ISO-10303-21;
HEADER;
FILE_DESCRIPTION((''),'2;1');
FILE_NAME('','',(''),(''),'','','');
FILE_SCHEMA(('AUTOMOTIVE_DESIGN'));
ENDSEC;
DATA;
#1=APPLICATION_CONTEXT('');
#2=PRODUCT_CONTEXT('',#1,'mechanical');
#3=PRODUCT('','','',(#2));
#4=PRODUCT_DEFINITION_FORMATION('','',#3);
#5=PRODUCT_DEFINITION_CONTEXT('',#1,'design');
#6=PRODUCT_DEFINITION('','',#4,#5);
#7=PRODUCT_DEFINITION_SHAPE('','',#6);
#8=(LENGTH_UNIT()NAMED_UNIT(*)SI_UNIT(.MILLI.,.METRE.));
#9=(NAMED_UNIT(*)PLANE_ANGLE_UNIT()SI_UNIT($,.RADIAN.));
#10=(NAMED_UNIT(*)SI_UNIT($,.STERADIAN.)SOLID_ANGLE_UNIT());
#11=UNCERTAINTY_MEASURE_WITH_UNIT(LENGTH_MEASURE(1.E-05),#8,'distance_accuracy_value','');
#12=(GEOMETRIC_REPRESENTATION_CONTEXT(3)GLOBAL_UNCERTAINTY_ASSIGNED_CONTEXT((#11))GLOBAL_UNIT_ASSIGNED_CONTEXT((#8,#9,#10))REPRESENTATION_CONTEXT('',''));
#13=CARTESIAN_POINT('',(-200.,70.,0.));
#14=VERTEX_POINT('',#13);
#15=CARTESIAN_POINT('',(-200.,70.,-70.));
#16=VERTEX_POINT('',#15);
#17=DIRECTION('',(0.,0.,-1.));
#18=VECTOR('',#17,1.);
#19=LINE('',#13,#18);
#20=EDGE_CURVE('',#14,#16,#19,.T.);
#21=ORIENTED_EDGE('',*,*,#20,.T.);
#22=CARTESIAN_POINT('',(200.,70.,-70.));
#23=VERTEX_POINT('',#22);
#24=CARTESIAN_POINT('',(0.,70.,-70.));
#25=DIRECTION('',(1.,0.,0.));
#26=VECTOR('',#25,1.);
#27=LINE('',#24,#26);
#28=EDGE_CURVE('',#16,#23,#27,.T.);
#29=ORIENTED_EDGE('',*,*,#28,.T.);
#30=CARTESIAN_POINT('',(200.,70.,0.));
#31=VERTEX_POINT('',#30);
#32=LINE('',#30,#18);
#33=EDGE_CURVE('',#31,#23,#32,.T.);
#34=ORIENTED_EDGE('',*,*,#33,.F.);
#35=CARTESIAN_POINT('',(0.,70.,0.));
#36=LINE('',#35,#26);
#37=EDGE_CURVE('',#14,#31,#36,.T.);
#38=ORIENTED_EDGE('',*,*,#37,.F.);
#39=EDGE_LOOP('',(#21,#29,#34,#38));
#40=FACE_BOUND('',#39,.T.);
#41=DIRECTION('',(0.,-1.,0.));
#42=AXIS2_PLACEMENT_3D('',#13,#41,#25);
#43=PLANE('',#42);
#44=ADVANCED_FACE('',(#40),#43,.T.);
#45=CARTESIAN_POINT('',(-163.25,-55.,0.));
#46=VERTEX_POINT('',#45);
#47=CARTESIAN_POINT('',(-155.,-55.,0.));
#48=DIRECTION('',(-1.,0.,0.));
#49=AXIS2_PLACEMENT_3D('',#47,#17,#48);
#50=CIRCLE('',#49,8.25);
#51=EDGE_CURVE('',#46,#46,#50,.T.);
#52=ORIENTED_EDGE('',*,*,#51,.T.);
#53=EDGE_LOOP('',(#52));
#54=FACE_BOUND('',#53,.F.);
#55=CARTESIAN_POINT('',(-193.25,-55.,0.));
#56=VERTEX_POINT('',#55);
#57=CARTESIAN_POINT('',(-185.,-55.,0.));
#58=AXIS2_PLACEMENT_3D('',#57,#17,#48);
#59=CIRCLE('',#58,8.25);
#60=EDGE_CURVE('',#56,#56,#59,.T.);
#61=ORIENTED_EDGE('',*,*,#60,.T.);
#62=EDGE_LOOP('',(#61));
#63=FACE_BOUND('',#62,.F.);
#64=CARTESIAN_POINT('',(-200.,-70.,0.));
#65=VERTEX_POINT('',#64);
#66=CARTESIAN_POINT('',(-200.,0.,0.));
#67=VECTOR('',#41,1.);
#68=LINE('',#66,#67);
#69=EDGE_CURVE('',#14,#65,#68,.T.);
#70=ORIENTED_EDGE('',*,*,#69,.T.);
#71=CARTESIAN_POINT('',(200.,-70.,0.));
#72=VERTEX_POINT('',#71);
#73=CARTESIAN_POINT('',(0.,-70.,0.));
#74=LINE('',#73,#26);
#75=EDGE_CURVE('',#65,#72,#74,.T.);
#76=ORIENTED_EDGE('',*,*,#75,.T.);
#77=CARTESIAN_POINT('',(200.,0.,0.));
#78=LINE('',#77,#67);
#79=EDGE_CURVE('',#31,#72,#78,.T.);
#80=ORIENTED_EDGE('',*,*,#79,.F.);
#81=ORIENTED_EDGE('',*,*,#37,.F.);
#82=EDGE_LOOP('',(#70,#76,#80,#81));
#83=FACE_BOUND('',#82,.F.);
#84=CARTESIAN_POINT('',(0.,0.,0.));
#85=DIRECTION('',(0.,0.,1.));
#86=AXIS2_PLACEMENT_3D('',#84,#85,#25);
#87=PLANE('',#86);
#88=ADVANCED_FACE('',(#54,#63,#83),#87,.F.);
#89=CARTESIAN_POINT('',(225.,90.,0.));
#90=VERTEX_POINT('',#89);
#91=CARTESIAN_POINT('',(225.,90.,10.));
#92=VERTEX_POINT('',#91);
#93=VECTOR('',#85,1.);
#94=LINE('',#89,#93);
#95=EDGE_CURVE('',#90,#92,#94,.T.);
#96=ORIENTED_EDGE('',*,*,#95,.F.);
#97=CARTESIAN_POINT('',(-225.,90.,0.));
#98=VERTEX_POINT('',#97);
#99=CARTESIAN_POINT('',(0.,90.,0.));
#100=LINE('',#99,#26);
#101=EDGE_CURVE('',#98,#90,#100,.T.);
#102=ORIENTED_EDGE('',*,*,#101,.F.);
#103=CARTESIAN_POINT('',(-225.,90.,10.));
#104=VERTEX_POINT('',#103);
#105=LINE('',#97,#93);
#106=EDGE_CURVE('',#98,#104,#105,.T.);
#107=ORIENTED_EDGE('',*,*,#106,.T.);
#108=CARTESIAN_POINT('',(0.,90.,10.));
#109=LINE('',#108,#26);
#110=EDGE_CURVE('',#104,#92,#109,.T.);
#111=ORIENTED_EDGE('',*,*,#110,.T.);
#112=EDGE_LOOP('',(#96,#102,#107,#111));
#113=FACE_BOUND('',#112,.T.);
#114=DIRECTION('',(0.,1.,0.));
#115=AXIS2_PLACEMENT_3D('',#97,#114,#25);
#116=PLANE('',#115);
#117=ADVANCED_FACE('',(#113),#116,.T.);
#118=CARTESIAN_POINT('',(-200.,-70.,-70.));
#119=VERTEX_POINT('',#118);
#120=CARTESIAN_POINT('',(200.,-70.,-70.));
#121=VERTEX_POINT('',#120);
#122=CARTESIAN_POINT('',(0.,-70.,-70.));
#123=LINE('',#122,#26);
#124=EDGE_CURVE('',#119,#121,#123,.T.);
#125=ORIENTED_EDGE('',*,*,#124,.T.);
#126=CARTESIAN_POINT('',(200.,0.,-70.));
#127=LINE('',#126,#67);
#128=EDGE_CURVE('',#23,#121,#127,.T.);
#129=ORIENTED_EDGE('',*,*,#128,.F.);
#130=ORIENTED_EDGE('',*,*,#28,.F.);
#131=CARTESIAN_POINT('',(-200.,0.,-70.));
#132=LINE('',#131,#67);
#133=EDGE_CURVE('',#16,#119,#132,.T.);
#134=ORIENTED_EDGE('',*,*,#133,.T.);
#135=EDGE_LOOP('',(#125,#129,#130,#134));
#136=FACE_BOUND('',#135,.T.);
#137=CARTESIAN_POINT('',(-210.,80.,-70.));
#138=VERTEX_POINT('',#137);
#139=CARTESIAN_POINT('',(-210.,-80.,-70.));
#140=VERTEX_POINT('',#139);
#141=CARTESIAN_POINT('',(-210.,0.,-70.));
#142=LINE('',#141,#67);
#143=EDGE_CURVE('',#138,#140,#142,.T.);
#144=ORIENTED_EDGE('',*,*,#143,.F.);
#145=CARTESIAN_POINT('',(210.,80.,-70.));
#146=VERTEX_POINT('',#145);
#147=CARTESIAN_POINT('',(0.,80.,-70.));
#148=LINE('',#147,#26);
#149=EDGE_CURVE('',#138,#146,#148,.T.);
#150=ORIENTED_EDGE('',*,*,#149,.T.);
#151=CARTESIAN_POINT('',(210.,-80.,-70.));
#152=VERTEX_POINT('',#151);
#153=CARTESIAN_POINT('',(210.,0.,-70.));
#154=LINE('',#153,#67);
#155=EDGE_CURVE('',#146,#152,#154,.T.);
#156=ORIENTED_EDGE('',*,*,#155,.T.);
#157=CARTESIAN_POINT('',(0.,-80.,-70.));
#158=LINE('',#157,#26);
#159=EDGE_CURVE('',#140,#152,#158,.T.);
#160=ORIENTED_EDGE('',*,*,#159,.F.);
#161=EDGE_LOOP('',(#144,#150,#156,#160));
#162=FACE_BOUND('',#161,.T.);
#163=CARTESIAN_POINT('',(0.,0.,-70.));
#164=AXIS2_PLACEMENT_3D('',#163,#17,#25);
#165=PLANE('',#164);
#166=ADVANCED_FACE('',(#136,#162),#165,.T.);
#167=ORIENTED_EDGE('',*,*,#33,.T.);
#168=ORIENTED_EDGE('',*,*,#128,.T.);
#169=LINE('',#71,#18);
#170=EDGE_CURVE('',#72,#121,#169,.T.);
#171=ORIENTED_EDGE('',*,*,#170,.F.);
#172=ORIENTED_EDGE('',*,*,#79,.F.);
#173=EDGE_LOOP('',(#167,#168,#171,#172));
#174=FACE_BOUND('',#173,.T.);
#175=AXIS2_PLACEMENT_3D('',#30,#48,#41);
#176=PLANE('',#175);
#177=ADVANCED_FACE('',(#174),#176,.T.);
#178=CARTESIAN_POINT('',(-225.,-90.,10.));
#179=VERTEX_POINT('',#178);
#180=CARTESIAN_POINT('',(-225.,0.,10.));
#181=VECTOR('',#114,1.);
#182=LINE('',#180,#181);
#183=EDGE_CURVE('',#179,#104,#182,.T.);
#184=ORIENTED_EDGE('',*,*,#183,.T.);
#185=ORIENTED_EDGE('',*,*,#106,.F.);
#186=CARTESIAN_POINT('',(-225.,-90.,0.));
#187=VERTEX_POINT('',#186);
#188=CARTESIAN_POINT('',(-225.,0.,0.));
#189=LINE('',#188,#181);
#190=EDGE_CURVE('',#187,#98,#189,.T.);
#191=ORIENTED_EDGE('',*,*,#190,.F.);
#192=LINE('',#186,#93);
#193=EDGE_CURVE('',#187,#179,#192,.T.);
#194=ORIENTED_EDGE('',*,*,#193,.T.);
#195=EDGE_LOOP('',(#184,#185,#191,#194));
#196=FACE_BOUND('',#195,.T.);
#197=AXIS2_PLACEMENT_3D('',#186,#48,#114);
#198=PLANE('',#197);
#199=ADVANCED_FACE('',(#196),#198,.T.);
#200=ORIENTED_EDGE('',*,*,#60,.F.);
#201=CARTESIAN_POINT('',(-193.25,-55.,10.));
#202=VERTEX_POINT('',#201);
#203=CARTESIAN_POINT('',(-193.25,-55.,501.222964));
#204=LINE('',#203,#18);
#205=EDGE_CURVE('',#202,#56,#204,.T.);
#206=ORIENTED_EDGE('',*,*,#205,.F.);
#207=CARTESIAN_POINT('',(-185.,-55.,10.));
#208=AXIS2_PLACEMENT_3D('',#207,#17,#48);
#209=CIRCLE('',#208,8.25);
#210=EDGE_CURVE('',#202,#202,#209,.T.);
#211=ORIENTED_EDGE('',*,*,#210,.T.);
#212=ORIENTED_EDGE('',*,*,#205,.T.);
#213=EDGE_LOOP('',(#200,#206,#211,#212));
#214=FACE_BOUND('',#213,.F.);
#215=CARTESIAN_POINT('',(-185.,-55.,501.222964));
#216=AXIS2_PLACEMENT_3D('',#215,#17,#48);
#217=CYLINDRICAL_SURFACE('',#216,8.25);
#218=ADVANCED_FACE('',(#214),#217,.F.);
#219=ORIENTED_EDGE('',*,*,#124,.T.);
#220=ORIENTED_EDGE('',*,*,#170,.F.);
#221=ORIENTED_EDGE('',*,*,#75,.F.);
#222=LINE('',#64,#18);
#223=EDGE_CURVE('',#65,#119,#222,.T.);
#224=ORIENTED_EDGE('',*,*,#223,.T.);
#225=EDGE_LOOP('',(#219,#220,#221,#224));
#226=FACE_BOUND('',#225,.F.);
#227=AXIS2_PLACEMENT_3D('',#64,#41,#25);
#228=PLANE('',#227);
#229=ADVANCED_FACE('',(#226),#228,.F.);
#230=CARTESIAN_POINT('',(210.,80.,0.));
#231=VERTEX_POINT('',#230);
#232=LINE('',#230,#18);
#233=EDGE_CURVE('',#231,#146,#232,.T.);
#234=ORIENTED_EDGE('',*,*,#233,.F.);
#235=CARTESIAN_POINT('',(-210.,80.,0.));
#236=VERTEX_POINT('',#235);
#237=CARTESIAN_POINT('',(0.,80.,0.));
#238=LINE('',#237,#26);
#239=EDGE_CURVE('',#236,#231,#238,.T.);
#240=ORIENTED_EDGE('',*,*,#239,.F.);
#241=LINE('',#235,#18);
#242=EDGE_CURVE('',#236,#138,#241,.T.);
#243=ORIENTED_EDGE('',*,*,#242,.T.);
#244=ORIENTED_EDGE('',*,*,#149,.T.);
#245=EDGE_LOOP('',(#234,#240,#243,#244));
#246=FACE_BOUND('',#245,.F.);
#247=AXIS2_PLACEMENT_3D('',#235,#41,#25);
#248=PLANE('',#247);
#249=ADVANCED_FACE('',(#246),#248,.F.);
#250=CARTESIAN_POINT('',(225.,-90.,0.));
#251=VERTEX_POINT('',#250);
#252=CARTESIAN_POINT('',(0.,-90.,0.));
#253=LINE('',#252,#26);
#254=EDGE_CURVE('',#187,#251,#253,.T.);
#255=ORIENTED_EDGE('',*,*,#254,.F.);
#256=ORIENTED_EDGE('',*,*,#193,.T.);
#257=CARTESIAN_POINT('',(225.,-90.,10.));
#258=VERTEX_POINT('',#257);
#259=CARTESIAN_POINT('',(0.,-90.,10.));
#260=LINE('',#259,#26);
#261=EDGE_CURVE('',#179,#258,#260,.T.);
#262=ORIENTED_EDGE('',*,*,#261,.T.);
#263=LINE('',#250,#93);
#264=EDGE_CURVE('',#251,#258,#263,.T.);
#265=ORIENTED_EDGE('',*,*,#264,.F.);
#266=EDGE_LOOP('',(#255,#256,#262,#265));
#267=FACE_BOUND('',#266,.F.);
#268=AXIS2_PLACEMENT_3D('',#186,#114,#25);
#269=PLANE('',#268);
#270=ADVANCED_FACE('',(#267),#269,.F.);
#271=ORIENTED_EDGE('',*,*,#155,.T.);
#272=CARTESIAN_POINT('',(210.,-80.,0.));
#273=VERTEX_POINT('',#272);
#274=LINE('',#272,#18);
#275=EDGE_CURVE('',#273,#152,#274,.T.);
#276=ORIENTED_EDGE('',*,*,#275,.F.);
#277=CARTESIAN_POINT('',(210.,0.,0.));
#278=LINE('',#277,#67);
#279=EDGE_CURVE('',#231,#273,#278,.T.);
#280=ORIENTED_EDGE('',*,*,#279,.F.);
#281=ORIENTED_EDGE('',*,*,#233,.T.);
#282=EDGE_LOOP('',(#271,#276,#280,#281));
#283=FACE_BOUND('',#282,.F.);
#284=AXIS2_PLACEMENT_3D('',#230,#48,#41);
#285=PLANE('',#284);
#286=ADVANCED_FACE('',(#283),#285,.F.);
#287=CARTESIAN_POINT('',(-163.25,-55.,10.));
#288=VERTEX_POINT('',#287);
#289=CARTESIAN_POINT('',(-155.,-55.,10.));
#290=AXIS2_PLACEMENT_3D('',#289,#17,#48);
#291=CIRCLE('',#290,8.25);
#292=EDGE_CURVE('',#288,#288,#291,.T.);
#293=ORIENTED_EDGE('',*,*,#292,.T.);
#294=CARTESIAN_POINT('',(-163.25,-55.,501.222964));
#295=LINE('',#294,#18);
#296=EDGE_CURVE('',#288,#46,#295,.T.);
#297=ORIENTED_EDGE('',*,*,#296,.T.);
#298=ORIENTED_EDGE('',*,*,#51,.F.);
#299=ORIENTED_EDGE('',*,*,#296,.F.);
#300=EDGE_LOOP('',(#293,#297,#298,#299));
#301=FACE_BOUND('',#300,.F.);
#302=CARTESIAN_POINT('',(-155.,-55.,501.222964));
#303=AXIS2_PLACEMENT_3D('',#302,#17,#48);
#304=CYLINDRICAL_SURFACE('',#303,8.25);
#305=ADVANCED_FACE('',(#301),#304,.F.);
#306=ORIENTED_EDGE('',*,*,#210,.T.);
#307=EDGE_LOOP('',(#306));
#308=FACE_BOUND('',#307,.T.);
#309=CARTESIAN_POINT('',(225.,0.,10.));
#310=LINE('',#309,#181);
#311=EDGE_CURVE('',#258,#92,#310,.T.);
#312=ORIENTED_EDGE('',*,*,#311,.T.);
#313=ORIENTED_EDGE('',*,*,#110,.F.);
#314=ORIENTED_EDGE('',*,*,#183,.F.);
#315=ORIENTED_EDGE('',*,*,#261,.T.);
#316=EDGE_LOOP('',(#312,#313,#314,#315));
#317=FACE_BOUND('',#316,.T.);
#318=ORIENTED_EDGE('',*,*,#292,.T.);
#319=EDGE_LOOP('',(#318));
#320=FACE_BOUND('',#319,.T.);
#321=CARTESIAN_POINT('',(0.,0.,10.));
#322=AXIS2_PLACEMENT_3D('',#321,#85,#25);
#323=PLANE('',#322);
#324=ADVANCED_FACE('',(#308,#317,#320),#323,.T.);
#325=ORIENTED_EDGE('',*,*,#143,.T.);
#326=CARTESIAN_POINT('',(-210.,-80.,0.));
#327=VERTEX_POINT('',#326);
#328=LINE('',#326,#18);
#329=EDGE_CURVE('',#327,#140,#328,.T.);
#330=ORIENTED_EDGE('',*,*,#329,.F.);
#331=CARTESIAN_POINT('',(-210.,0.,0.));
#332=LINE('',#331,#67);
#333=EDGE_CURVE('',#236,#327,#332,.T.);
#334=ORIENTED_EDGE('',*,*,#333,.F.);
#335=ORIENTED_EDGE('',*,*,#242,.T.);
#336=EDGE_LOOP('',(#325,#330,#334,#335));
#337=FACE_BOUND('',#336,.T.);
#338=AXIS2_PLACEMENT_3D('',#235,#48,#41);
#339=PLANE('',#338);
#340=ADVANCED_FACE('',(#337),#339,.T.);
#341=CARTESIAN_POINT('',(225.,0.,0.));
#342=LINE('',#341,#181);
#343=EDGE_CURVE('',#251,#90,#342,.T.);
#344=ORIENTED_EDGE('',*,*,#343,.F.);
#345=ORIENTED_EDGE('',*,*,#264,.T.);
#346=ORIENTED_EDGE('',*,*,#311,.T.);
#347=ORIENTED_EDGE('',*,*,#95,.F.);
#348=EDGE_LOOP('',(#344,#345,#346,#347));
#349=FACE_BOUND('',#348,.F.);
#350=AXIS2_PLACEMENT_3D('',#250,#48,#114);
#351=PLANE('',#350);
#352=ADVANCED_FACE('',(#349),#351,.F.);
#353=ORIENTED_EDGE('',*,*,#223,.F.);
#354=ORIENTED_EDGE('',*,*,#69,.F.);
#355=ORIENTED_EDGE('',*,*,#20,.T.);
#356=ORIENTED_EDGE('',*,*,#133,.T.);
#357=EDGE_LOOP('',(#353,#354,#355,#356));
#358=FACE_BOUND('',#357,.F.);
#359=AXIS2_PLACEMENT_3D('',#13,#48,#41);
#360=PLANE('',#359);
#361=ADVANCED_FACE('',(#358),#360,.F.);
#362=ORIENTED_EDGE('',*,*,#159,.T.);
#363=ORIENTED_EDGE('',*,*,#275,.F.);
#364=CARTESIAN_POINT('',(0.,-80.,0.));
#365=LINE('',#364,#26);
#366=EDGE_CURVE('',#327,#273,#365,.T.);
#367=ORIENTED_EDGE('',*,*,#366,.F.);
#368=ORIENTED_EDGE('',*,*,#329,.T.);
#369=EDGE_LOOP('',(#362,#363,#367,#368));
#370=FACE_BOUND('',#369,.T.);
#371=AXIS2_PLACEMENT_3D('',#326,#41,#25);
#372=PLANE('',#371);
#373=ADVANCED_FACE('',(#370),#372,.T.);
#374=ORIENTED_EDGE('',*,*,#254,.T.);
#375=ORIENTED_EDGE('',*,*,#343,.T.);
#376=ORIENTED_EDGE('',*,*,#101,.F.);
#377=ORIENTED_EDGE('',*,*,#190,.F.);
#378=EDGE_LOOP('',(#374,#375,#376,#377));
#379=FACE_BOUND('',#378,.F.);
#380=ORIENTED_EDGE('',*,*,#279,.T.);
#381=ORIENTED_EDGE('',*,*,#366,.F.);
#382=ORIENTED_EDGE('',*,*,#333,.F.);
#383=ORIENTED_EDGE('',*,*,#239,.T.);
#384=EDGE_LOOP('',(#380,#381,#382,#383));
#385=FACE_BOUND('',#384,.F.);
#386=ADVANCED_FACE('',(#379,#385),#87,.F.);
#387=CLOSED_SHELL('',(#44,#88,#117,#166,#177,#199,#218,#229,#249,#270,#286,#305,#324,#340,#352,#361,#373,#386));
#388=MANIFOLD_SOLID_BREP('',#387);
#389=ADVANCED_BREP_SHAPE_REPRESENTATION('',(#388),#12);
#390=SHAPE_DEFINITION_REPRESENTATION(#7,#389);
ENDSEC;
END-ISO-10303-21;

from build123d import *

# Parameters (mm, degrees)
F0_W     = 450
F0_H     = 180
F1_DEPTH = 10
F2_W     = 420
F2_H     = 160
F2_W_2   = 400
F2_H_2   = 140
F3_DEPTH = 70
F5_D     = 16.5


with BuildPart() as f1:
    # F0 (on Top) → F1 (new body)
    with BuildSketch(Plane.XY):
        Rectangle(F0_W, F0_H)
    extrude(amount=F1_DEPTH)

    # F2 (on face) → F3 (join)
    with BuildSketch(Plane(origin=(0, 0, 0), x_dir=(1, 0, 0), z_dir=(0, 0, -1))):
        Rectangle(F2_W, F2_H)
        Rectangle(F2_W_2, F2_H_2, mode=Mode.SUBTRACT)
    extrude(amount=F3_DEPTH)

    # F5 (through all)
    with Locations(Plane.XY.offset(10)):
        with Locations((-185, -55), (-155, -55)):
            Hole(F5_D / 2)


solid = f1.part
